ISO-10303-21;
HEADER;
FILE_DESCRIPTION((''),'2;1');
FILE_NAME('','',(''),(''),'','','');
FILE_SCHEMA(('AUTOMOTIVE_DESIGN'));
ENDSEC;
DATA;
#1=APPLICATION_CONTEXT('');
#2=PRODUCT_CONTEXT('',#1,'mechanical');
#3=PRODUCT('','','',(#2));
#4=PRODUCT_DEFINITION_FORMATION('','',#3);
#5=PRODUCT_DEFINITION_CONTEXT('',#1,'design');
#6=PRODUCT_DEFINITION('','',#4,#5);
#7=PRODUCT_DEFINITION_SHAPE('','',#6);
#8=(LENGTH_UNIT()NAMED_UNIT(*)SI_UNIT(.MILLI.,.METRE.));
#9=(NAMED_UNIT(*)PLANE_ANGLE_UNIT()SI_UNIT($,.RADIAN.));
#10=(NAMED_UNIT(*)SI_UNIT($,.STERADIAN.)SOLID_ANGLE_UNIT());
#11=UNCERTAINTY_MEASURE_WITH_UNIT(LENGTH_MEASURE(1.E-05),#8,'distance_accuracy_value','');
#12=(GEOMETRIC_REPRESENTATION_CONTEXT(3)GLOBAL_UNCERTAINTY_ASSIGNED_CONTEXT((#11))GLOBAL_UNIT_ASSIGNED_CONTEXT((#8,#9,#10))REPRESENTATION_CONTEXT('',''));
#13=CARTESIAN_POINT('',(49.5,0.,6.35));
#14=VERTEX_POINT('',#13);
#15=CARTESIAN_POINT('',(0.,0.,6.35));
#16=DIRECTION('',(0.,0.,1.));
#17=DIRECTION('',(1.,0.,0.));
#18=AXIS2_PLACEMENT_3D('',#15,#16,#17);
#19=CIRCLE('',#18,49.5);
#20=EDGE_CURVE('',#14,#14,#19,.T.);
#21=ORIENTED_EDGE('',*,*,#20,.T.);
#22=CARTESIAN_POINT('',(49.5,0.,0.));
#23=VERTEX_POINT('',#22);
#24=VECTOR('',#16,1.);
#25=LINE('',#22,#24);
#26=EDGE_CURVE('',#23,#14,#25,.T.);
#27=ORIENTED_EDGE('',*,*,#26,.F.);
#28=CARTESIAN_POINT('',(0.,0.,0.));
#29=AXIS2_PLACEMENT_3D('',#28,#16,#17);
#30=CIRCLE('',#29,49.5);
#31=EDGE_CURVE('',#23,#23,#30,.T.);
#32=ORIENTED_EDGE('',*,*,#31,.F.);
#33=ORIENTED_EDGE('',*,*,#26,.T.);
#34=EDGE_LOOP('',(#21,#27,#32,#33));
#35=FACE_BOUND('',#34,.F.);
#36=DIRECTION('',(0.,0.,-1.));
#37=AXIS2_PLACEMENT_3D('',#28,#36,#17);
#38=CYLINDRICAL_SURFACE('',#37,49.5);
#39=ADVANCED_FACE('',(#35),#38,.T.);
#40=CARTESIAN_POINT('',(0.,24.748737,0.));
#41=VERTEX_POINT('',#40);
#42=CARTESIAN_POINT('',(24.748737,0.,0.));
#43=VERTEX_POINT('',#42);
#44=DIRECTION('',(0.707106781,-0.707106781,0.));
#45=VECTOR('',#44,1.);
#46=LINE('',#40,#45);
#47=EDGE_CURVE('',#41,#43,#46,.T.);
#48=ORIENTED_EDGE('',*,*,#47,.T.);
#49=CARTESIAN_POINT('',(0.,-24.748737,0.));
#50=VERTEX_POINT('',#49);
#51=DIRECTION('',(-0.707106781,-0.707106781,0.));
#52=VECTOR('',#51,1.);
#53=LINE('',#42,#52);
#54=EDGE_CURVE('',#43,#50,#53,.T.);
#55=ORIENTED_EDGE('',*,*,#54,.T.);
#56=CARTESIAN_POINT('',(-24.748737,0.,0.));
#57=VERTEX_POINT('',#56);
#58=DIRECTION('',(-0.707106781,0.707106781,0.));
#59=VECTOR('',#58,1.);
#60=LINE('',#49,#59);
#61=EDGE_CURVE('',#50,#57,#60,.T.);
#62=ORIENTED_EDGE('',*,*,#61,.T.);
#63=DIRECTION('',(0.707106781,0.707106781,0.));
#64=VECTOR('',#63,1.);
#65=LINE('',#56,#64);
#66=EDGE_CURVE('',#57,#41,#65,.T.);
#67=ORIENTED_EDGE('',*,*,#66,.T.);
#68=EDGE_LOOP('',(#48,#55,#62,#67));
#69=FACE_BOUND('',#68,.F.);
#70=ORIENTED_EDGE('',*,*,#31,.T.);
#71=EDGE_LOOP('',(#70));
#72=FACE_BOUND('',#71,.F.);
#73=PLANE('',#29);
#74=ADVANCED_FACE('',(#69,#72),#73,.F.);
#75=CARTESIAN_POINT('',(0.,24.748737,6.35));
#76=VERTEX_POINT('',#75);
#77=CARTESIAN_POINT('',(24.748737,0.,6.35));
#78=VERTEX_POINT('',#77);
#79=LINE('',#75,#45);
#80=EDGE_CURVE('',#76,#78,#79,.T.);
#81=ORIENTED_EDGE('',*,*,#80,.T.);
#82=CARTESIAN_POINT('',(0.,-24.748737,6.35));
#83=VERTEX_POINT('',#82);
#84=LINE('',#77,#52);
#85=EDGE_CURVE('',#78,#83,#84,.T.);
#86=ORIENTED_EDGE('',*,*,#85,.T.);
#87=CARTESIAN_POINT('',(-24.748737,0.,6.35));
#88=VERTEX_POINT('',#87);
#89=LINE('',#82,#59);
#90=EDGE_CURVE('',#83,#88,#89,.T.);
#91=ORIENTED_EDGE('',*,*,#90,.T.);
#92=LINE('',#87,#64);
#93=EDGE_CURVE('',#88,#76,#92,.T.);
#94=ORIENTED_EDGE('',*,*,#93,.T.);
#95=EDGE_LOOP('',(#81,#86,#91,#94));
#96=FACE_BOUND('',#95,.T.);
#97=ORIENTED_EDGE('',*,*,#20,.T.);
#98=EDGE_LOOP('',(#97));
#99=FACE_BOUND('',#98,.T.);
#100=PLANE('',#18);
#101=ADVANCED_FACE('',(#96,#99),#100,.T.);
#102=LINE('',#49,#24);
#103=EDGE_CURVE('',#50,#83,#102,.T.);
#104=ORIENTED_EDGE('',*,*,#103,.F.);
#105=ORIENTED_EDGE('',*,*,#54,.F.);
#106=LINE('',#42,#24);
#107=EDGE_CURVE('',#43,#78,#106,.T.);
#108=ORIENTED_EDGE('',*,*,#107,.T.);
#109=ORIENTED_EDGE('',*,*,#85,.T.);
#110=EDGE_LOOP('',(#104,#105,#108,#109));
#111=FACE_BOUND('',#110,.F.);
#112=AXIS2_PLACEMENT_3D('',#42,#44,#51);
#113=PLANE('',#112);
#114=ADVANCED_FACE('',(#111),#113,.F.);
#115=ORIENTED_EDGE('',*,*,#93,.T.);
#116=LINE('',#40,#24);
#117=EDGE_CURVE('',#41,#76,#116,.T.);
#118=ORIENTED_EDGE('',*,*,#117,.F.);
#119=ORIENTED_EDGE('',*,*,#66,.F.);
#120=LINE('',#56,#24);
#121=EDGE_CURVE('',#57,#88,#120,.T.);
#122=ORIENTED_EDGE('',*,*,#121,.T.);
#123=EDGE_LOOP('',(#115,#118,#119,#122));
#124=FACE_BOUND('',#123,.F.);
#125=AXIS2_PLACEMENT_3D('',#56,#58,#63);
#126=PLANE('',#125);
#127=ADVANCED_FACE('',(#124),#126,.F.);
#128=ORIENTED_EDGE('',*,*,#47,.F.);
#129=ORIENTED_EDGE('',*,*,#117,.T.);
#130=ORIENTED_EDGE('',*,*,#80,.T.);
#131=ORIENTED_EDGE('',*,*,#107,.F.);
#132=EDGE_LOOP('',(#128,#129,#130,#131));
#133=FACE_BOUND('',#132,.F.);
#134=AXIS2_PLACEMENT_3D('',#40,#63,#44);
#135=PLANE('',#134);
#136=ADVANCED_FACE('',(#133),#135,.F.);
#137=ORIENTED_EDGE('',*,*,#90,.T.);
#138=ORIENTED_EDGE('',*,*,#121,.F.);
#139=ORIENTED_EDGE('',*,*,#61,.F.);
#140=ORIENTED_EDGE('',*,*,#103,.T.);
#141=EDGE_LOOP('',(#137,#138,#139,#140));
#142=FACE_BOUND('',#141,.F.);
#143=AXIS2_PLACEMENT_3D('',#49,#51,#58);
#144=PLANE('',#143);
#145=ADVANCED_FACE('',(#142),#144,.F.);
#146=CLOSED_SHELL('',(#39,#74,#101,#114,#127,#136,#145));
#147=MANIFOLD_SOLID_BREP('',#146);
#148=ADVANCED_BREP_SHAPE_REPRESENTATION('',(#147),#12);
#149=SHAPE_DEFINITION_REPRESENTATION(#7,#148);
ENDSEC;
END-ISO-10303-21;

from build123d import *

# Parameters (mm, degrees)
F0_R     = 49.5
F1_DEPTH = 6.35


with BuildPart() as f1:
    # F0 (on Top) → F1 (new body)
    with BuildSketch(Plane.XY):
        Circle(F0_R)
        Polygon((-24.748737, 0), (0, 24.748737), (24.748737, 0), (0, -24.748737), align=None, mode=Mode.SUBTRACT)
    extrude(amount=F1_DEPTH)


solid = f1.part
